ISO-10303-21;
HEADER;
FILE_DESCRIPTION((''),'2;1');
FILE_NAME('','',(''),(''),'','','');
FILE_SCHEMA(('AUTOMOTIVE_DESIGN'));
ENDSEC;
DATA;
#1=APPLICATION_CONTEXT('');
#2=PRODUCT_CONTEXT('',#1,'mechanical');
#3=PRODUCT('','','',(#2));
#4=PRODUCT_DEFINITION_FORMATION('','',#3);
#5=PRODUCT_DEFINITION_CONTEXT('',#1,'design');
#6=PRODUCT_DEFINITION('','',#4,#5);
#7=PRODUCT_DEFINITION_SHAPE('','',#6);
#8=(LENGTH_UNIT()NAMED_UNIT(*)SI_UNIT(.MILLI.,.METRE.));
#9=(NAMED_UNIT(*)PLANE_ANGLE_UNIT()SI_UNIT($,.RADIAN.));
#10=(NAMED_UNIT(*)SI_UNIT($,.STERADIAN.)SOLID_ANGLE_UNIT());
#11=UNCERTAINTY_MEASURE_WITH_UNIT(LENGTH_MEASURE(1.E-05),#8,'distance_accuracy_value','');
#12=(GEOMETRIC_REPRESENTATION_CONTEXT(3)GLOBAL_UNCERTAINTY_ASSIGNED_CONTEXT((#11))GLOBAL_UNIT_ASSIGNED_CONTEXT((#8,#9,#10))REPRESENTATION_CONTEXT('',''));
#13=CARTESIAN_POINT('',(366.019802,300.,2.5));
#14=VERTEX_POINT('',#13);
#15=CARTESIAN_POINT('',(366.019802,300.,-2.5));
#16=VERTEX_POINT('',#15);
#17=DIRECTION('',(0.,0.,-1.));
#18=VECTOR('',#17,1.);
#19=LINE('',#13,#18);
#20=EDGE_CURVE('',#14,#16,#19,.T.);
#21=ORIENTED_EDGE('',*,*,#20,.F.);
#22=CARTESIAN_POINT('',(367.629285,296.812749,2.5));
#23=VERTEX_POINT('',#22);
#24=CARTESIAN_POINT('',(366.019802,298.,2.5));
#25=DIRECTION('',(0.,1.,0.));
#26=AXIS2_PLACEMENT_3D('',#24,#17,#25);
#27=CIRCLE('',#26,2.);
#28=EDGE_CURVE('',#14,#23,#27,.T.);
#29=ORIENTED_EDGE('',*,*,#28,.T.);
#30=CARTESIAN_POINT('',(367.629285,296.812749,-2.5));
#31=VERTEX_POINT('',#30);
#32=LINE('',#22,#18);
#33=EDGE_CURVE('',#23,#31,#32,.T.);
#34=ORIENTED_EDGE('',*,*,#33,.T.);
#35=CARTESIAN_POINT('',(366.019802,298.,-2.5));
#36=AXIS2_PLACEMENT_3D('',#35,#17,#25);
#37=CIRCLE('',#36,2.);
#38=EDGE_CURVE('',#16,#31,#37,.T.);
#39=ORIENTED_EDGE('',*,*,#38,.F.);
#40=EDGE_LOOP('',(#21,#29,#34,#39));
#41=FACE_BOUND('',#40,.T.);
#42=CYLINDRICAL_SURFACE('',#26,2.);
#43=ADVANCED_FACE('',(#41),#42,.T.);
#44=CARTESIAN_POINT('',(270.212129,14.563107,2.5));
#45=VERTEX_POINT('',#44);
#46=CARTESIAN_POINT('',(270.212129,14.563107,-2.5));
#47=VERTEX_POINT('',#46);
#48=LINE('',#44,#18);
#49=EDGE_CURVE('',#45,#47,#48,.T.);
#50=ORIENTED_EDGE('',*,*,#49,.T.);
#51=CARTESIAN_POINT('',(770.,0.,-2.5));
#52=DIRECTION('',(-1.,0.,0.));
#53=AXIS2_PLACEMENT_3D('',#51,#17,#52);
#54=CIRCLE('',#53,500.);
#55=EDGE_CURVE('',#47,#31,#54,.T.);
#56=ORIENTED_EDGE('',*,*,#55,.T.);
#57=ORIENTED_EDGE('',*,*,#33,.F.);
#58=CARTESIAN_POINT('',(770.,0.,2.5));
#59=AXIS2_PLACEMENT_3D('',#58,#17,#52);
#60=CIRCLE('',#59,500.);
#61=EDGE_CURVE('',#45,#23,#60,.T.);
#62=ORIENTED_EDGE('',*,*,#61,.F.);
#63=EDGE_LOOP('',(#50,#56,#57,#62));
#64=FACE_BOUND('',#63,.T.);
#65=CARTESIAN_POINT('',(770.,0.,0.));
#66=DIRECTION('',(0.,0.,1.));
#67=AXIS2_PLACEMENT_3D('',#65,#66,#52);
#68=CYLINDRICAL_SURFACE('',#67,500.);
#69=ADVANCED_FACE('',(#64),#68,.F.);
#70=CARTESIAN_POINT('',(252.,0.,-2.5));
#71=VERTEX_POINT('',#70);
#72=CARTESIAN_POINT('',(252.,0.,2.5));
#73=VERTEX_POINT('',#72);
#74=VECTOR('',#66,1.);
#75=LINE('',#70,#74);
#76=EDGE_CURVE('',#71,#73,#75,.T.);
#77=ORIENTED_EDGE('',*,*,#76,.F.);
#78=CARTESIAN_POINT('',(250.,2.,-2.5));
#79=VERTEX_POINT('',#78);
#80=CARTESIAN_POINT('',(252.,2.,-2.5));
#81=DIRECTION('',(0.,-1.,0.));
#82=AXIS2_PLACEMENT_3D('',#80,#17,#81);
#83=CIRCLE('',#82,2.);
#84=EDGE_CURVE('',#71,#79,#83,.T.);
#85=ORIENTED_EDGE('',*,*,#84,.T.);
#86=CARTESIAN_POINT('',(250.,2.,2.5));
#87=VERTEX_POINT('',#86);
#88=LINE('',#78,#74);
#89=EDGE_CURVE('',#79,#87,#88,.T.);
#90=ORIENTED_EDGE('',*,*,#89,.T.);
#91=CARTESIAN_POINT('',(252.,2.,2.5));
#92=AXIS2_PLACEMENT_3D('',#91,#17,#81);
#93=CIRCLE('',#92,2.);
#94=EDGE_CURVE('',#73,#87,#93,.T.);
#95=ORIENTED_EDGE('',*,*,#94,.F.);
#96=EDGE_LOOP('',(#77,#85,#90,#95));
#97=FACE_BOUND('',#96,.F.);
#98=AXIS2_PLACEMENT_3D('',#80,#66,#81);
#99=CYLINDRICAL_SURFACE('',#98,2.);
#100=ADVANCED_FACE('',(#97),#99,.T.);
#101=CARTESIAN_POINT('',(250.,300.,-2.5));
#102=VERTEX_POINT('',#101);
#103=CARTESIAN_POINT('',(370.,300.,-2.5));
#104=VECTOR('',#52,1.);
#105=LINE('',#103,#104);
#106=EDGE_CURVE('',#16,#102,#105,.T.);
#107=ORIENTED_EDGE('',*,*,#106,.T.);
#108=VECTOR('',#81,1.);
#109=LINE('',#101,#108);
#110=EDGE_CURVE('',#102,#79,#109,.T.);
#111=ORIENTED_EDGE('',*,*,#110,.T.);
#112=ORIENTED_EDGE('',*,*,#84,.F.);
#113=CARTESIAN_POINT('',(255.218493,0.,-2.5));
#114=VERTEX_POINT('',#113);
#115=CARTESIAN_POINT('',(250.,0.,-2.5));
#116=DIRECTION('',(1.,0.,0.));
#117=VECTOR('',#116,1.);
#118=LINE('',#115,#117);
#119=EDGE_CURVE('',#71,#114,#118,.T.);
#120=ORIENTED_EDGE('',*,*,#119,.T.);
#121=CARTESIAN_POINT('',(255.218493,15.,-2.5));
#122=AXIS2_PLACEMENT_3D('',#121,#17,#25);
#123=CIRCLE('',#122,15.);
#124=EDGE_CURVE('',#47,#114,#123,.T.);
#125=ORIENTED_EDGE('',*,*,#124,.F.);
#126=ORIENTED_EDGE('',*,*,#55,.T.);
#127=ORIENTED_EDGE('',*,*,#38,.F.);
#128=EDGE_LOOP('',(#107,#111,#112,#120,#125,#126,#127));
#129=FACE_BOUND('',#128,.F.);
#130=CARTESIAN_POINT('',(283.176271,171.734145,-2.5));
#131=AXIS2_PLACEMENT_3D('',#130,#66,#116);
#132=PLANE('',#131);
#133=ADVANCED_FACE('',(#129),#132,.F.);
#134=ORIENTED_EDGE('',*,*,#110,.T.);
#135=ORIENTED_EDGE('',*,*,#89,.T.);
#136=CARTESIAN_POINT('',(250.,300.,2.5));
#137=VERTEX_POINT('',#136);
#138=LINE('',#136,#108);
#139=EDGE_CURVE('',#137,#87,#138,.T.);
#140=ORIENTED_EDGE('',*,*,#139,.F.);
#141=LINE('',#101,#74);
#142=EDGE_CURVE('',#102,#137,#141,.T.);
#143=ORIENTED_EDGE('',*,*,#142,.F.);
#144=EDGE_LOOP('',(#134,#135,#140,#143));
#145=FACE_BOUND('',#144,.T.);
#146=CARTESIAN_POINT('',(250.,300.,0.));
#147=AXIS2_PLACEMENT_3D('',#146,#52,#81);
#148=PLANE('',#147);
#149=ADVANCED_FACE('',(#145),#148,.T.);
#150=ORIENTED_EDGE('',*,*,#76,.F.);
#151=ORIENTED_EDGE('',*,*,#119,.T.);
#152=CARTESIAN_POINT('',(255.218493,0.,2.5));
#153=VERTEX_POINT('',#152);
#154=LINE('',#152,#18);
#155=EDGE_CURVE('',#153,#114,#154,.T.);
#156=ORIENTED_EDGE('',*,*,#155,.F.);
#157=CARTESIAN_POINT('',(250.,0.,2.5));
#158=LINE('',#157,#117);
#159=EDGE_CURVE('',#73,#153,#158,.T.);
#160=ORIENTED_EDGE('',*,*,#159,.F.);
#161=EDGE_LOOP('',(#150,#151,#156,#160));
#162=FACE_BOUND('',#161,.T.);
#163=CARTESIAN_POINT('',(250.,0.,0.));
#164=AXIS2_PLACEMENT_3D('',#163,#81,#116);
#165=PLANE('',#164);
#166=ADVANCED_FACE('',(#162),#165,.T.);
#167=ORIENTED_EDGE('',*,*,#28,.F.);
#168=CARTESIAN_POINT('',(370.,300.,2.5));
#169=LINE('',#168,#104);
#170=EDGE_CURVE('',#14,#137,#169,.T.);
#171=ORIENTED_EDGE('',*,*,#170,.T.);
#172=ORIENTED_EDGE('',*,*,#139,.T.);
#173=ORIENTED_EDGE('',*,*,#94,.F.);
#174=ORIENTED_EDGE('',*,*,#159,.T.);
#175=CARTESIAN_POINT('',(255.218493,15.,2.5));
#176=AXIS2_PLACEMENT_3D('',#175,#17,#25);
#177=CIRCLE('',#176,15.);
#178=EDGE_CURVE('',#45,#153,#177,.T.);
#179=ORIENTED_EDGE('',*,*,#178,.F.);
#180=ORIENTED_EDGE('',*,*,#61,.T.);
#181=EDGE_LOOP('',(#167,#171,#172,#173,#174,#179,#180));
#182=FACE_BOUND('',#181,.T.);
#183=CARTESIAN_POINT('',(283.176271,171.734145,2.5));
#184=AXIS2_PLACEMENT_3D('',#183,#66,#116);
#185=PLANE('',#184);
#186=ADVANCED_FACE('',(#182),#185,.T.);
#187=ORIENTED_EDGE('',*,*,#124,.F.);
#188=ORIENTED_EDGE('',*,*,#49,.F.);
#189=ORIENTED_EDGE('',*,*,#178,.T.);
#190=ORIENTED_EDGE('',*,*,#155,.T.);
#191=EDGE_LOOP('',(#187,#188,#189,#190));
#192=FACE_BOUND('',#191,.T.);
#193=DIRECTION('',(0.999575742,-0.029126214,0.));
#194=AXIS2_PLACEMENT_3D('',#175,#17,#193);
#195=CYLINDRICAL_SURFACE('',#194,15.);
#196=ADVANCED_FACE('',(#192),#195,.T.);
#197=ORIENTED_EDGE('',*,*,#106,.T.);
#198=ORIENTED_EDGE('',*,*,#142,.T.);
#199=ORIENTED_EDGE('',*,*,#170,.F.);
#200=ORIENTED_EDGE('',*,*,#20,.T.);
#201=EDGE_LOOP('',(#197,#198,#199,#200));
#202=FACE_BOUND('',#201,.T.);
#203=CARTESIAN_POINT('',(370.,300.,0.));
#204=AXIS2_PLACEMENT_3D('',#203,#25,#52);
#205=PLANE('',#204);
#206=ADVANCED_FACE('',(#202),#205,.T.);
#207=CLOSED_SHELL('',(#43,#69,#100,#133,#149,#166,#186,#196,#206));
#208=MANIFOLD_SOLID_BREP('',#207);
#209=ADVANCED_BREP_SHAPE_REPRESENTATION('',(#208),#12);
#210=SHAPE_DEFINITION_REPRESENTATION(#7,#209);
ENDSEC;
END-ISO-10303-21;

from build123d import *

# Parameters (mm, degrees)
F0_R     = 19.626039
F1_DEPTH = 2.5
F2_R     = 2
F3_R     = 15


with BuildPart() as f1:
    # F0 (on Top) → F1 (new body, symmetric)
    with BuildSketch(Plane.XY):
        with BuildLine():
            Line((370, 300), (250, 300))
            Line((250, 300), (250, 0))
            Line((250, 0), (270, 0))
            ThreePointArc((270, 0), (295.658351, 158.113883), (370, 300))
        make_face()
        with Locations((294.626039, 255.373961)):
            Circle(F0_R, mode=Mode.SUBTRACT)
        with Locations((294.626039, 255.373961)):
            Circle(F0_R)
    extrude(amount=F1_DEPTH, both=True)

    # F2
    f2_edges = [f1.edges().sort_by_distance(p)[0] for p in [
        (250, 0, 0),
        (370, 300, 0),
    ]]
    fillet(f2_edges, radius=F2_R)

    # F3
    f3_edges = [f1.edges().sort_by_distance(p)[0] for p in [
        (270, 0, 0),
    ]]
    fillet(f3_edges, radius=F3_R)


solid = f1.part
